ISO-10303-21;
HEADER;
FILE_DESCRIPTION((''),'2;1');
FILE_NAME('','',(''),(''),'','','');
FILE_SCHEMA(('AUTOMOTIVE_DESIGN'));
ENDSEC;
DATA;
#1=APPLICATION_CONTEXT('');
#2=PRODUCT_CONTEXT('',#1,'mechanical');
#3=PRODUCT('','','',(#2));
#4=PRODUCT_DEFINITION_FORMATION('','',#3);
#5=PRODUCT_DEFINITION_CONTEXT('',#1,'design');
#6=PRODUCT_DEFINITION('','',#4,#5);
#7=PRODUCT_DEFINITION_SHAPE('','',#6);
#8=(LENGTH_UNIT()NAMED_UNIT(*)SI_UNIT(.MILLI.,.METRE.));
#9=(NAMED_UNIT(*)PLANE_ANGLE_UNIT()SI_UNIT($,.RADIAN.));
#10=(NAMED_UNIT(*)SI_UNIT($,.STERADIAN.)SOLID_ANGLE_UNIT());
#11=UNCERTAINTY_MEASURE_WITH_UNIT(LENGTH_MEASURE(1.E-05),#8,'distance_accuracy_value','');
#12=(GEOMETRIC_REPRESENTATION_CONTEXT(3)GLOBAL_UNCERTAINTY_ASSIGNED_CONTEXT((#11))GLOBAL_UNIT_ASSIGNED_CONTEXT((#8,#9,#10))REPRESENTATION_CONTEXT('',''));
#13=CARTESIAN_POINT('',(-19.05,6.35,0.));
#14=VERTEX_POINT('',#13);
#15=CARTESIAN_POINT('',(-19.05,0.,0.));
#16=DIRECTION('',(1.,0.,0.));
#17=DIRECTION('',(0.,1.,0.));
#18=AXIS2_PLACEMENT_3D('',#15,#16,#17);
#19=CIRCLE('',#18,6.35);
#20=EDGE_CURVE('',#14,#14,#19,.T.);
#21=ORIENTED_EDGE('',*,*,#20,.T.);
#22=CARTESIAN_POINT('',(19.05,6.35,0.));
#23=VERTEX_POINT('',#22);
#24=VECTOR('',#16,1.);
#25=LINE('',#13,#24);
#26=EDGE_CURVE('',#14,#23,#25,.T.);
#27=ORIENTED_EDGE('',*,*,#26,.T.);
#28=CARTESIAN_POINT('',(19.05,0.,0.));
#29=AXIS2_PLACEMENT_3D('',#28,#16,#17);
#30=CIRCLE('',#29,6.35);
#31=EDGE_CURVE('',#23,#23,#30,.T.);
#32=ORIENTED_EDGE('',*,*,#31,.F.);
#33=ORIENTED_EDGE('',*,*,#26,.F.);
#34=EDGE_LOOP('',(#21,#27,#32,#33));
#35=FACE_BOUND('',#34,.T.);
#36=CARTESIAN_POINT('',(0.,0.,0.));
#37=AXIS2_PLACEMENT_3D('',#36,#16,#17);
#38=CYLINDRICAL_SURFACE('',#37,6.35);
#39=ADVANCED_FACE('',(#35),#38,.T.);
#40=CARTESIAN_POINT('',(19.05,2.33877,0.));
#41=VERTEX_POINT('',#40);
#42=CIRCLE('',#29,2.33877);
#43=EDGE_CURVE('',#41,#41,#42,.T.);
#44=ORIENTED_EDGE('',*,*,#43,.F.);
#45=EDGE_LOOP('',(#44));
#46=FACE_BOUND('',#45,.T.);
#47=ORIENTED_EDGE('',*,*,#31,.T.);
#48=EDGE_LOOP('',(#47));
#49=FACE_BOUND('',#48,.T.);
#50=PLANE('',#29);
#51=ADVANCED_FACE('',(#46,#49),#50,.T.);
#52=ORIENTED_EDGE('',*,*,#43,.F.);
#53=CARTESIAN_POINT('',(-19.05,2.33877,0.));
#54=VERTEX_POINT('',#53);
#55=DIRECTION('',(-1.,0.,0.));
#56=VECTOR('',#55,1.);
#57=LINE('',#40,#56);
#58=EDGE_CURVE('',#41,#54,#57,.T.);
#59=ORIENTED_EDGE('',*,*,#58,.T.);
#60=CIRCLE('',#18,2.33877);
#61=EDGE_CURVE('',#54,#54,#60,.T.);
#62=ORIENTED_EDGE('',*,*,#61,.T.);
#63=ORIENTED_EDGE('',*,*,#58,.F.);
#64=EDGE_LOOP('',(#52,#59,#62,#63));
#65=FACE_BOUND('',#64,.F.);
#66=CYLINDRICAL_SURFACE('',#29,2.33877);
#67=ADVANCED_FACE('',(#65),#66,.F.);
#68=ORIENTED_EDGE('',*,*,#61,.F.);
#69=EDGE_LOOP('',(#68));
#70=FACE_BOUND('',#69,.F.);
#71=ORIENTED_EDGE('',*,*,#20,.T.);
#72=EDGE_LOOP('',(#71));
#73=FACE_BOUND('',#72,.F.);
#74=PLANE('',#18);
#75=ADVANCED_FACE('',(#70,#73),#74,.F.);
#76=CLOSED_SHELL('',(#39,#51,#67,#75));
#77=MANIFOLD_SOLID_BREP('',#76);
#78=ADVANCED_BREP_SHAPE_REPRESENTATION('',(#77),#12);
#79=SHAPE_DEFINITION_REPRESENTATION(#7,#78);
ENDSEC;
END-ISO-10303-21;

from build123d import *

# Parameters (mm, degrees)
F0_R       = 6.35
F1_DEPTH   = 19.05
F4_R       = 2.3387697461
F1_FACE1_R = 6.35
F5_DEPTH   = 50.292


with BuildPart() as f1:
    # F0 (on Right) → F1 (new body, symmetric)
    with BuildSketch(Plane.YZ):
        Circle(F0_R)
    extrude(amount=F1_DEPTH, both=True)

    # F4 (on offset) + F1_face1 (on face) → F5 (cut)
    with BuildSketch(Plane.YZ.offset(19.05)):
        Circle(F4_R)
    with BuildSketch(Plane(origin=(-19.05, 0, 0), x_dir=(0, 1, 0), z_dir=(-1, 0, 0))):
        Circle(F1_FACE1_R)
    extrude(amount=-F5_DEPTH, dir=(1, 0, 0), mode=Mode.SUBTRACT)


solid = f1.part
